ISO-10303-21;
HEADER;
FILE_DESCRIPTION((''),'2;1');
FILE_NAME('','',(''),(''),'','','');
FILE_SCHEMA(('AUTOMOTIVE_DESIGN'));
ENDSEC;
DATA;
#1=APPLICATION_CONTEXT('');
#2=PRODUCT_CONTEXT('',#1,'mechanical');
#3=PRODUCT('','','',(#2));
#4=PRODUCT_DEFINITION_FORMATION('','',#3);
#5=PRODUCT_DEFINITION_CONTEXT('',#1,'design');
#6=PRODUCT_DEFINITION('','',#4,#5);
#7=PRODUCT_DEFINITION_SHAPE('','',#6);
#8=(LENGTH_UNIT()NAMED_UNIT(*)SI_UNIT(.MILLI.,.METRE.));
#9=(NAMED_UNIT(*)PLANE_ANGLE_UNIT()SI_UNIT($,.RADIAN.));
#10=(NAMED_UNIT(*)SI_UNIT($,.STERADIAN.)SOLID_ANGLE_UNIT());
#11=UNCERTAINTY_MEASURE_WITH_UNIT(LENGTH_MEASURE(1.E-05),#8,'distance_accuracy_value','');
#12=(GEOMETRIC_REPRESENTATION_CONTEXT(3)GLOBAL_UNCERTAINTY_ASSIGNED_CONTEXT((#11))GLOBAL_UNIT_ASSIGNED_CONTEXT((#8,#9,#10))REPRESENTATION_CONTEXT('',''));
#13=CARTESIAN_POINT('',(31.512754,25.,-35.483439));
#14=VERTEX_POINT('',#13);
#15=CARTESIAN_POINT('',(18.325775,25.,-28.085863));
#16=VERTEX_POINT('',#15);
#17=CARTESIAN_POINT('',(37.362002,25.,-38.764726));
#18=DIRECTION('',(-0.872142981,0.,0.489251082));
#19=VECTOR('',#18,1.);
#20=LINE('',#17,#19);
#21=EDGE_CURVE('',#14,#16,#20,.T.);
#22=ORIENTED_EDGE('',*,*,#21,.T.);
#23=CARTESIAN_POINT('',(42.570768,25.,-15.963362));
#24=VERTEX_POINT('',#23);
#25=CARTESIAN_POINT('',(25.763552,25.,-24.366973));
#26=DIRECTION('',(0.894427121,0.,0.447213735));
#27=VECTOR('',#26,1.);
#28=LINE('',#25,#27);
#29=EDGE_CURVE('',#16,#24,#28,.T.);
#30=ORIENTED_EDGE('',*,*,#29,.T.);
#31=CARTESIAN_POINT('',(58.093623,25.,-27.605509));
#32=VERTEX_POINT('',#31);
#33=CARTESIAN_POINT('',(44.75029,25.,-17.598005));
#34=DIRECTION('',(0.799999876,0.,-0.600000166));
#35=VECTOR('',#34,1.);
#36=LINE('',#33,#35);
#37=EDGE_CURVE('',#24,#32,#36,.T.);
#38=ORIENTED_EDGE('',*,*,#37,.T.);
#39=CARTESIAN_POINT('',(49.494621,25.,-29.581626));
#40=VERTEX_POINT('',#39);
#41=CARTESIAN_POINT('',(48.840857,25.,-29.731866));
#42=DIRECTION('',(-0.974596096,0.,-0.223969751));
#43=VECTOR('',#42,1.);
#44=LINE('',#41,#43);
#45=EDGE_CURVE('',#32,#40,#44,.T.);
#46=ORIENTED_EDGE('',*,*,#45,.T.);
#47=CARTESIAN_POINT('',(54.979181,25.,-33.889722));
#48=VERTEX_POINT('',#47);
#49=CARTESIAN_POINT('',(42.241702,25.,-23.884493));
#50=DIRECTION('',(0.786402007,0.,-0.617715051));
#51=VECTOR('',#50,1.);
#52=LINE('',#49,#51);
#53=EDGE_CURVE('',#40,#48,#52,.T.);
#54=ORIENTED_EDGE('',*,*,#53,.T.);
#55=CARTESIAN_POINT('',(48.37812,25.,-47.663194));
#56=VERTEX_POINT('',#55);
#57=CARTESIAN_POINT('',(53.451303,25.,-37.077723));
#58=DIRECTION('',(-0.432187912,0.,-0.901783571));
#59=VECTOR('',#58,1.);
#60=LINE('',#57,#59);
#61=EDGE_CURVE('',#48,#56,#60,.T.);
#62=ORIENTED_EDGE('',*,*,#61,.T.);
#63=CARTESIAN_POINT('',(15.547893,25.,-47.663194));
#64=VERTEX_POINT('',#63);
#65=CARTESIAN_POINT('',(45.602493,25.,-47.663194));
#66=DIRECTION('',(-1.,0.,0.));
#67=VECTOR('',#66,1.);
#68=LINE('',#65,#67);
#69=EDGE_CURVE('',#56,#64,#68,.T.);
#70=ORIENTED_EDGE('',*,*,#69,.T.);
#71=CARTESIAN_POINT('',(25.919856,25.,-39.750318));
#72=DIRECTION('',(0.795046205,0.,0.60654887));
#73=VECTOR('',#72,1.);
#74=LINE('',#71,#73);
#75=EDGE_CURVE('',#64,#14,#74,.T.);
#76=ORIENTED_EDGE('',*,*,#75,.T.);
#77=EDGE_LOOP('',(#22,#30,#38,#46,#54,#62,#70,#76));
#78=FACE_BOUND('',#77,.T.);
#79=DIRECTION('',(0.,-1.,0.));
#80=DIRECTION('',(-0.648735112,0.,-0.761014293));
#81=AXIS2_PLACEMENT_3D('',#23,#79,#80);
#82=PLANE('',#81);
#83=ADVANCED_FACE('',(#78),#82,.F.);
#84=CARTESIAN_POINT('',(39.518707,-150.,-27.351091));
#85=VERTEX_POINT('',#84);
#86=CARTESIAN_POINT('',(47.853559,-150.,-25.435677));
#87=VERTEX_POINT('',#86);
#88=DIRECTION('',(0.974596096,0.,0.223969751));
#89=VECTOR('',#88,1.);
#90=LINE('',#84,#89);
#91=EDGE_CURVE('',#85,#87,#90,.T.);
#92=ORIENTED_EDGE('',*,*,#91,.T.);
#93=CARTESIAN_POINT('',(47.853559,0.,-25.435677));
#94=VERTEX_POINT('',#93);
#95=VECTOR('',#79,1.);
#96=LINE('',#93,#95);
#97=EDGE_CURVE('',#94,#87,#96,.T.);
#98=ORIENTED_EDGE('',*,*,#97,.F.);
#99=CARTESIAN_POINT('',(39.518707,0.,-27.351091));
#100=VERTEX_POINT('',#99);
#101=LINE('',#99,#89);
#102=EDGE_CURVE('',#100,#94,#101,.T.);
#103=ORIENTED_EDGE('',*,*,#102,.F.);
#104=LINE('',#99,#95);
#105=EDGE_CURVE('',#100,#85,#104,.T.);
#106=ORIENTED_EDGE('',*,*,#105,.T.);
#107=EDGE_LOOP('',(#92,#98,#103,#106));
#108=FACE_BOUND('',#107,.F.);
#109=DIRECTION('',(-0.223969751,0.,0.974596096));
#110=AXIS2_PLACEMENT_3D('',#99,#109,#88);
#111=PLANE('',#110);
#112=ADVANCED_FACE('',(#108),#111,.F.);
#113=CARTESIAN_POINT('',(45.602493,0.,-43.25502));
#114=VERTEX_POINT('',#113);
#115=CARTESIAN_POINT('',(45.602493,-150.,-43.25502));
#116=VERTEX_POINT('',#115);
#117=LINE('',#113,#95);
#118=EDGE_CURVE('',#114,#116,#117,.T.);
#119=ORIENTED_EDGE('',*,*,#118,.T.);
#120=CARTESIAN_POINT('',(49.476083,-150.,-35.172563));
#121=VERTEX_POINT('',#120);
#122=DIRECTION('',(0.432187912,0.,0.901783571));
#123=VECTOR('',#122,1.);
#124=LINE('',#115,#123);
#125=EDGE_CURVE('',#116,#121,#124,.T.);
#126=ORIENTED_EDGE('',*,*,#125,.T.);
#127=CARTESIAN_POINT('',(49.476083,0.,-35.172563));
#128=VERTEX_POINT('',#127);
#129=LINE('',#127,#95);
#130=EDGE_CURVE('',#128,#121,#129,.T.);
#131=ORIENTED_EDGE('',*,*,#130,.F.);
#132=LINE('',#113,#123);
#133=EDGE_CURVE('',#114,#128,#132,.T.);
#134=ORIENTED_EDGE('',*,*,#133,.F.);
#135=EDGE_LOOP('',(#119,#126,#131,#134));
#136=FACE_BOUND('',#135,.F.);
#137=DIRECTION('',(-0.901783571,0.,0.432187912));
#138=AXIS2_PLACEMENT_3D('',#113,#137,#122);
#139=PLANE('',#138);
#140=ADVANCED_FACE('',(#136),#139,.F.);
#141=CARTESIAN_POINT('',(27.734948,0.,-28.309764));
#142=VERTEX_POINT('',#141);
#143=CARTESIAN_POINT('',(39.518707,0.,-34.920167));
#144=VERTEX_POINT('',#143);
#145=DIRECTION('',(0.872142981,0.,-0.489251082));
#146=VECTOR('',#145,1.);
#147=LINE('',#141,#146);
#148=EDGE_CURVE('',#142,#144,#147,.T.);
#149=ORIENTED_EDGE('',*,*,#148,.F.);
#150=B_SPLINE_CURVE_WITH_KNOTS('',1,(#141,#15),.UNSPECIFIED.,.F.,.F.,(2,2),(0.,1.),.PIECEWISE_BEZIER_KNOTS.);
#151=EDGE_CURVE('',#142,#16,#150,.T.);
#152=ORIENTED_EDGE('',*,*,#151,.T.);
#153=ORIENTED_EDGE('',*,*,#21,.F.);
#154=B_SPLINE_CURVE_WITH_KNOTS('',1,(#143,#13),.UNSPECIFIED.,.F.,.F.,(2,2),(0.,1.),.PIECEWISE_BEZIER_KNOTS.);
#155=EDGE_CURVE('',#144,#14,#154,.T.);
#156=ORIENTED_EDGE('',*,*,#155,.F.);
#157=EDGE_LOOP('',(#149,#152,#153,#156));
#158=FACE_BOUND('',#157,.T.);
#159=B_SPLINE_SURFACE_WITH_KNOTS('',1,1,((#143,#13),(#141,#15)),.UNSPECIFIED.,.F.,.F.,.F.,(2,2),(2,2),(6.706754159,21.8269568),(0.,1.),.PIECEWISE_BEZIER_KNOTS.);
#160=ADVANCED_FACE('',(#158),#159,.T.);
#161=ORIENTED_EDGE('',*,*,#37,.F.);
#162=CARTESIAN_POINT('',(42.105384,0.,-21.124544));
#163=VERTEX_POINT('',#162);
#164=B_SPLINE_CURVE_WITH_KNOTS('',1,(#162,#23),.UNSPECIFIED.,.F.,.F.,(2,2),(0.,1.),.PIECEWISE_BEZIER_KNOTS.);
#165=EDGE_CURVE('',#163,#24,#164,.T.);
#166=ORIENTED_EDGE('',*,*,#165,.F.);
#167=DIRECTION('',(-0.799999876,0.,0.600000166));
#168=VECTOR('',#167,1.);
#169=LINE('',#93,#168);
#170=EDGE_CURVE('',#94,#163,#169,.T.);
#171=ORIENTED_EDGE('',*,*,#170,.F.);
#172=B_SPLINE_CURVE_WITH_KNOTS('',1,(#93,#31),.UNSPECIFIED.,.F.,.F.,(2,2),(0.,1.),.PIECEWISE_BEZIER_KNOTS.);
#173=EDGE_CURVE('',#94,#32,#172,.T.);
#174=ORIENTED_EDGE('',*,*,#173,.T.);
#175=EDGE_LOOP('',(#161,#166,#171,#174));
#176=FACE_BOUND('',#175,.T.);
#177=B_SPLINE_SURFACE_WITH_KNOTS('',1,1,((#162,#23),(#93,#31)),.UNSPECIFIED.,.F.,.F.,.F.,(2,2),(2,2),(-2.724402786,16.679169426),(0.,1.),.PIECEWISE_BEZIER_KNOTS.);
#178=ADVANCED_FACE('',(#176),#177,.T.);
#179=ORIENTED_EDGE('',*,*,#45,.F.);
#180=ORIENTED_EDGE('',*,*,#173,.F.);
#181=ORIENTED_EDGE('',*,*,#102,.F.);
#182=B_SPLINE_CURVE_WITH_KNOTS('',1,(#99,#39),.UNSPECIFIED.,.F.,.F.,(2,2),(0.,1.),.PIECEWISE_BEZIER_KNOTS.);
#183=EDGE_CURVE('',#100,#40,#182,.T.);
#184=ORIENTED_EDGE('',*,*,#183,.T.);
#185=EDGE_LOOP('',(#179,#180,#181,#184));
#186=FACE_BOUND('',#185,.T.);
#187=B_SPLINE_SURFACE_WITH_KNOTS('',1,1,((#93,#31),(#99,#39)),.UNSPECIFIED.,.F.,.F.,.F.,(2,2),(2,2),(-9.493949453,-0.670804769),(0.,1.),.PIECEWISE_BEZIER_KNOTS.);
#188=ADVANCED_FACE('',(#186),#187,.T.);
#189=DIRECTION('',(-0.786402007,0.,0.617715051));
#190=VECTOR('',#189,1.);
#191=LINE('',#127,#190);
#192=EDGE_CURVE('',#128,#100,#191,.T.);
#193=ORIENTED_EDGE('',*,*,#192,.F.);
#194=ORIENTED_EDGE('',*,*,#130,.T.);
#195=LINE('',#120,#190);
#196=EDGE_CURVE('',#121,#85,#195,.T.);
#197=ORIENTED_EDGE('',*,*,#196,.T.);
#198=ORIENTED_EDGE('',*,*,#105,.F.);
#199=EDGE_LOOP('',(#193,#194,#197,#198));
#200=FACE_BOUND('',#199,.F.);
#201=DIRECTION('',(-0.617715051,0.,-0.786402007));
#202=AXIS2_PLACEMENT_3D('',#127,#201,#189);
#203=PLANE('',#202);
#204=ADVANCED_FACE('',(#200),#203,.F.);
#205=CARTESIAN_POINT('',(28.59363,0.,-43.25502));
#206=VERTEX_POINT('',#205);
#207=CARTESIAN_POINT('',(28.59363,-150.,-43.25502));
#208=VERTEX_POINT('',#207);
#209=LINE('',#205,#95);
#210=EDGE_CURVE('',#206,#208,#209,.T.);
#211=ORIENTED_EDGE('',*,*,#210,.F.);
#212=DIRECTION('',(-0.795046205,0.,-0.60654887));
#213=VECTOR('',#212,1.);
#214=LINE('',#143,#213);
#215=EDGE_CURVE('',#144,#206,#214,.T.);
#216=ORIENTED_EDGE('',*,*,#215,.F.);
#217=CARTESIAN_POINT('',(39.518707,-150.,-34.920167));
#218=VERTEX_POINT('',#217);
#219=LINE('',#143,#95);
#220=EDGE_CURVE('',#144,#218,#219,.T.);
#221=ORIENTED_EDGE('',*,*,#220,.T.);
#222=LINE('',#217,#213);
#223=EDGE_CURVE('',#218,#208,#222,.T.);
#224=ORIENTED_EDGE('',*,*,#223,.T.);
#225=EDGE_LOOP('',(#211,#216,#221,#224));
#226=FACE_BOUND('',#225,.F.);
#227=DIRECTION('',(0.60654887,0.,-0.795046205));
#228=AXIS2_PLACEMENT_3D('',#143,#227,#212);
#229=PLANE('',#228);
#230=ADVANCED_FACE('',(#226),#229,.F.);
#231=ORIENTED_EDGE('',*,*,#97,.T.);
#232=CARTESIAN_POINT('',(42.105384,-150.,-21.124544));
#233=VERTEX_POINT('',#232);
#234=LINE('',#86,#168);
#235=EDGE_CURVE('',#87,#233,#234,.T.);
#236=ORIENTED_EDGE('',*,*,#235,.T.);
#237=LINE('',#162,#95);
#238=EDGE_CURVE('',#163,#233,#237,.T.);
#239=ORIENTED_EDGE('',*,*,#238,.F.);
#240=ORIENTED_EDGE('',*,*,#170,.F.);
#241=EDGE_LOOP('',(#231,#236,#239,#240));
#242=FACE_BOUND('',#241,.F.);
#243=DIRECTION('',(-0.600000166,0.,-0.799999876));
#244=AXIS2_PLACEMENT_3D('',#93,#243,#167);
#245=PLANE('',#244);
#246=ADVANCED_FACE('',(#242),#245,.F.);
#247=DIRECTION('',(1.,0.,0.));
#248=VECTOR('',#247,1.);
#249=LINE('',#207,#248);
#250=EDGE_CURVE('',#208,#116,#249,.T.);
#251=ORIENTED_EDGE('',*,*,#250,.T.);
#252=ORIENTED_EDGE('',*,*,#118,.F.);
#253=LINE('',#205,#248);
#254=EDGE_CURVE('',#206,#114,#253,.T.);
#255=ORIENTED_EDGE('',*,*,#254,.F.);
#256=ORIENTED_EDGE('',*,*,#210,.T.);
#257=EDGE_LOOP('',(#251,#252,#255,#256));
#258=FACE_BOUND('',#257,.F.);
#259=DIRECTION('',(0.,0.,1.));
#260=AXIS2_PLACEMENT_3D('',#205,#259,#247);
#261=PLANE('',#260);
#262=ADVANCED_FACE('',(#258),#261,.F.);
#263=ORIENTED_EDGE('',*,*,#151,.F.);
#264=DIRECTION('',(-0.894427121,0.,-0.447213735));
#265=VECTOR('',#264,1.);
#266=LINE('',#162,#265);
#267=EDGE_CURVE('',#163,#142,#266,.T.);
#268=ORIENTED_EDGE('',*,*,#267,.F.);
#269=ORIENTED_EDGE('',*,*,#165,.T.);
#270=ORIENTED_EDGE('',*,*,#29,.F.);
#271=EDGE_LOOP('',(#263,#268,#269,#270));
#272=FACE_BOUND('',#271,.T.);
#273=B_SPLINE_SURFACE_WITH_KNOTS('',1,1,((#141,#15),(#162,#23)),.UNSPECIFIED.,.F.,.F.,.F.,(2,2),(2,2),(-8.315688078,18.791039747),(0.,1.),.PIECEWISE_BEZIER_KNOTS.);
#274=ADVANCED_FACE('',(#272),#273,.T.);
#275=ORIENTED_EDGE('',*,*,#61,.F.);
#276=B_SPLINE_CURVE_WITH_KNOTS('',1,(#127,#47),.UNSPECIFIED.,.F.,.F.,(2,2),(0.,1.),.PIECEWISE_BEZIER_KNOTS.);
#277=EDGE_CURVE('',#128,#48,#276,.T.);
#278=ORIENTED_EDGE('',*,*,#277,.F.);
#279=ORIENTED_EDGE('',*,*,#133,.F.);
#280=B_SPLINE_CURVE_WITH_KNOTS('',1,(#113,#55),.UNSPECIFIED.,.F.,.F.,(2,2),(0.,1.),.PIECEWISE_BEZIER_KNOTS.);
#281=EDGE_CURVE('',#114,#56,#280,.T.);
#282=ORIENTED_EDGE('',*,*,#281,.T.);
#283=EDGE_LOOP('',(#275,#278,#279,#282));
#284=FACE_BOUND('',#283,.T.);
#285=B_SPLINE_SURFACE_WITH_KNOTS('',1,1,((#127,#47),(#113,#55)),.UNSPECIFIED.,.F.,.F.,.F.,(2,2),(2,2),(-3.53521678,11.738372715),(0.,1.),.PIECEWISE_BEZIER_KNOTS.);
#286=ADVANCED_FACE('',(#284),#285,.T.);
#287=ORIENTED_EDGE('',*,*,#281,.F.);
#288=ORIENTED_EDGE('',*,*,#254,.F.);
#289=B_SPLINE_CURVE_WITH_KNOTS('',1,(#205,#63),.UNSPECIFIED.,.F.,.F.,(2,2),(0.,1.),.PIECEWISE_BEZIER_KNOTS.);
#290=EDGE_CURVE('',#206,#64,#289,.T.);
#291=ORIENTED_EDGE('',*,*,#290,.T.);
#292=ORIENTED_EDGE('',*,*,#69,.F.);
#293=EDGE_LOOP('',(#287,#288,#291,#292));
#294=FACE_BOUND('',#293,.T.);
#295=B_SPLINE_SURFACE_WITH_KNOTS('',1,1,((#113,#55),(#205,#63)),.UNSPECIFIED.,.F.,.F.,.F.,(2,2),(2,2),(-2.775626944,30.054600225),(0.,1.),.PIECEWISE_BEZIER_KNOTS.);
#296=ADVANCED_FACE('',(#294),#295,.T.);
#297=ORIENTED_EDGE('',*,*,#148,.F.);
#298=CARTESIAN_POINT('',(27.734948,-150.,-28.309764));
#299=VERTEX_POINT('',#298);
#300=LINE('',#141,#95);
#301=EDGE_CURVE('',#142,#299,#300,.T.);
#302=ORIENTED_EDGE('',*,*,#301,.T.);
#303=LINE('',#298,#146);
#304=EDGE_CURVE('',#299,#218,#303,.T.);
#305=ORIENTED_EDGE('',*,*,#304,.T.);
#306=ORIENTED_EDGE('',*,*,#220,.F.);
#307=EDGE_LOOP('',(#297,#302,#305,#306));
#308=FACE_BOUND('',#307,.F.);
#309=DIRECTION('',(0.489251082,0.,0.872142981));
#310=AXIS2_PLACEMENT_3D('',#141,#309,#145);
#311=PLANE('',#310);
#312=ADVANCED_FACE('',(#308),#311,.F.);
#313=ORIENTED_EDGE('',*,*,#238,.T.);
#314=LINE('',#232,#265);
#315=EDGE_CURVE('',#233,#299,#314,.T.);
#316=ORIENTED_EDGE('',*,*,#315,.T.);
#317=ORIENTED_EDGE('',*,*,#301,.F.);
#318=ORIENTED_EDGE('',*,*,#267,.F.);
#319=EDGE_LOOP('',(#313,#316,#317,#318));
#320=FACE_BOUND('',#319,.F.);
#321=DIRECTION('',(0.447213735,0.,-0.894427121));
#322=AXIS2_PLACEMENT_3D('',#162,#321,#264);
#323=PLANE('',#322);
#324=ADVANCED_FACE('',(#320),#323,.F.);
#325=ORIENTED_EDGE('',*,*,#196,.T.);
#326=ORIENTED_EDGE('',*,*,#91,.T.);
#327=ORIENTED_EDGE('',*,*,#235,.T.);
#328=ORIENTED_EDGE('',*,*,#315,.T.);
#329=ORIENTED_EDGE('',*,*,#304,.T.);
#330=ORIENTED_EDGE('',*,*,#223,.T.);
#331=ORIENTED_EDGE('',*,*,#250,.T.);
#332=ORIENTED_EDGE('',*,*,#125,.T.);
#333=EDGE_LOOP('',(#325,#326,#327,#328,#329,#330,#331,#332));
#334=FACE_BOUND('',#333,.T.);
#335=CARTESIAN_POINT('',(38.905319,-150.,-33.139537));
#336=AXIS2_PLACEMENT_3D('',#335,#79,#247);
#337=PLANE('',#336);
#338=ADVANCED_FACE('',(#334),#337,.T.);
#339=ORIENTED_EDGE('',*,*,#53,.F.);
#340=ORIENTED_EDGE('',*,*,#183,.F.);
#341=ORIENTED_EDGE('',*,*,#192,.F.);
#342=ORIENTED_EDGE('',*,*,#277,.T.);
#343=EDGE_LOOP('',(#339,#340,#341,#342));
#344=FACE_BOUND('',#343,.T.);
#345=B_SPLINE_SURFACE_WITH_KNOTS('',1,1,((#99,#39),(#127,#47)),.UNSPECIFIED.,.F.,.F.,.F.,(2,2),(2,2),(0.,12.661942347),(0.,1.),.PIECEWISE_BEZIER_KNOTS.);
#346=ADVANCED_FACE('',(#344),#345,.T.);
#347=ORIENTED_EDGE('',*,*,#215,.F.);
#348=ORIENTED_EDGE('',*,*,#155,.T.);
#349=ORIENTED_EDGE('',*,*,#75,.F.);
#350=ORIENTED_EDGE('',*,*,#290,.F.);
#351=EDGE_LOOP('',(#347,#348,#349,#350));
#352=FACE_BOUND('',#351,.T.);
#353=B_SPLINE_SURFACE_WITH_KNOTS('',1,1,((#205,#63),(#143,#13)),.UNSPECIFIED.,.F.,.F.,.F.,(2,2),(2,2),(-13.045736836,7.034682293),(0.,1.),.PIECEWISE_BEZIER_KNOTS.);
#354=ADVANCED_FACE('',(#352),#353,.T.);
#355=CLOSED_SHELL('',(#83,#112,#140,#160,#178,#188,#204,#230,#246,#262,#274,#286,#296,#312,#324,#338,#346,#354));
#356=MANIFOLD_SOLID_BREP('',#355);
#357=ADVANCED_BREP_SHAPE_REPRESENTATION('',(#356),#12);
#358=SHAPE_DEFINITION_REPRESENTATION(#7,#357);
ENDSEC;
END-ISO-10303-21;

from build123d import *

# Parameters (mm, degrees)
F1_DEPTH = 150
F2_DEPTH = 25
F2_TAPER = -10


with BuildPart() as f1:
    # F0 (on Front) → F1 (new body)
    with BuildSketch(Plane.XZ):
        Polygon((47.8535592556, -25.4356767982), (42.105384171, -21.1245436221), (27.7349483222, -28.3097643405), (39.5187065005, -34.9201671779), (28.5936295986, -43.255019933), (45.6024929881, -43.255019933), (49.4760833681, -35.1725630462), (39.5187065005, -27.3510906845), align=None)
    extrude(amount=F1_DEPTH)

    # F1_face (on face) → F2 (join)
    with BuildSketch(Plane(origin=(39.6376889247, 0, -33.4798158905), x_dir=(1, 0, 0), z_dir=(0, 1, 0))):
        Polygon((2.4676952463, -12.3552722683), (8.2158703309, -8.0441390922), (-0.1189824242, -6.1287252059), (9.8383944433, 1.6927471558), (5.9648040634, 9.7752040425), (-11.0440593261, 9.7752040425), (-0.1189824242, 1.4403512875), (-11.9027406026, -5.1700515499), align=None)
    extrude(amount=F2_DEPTH, taper=F2_TAPER)


solid = f1.part
